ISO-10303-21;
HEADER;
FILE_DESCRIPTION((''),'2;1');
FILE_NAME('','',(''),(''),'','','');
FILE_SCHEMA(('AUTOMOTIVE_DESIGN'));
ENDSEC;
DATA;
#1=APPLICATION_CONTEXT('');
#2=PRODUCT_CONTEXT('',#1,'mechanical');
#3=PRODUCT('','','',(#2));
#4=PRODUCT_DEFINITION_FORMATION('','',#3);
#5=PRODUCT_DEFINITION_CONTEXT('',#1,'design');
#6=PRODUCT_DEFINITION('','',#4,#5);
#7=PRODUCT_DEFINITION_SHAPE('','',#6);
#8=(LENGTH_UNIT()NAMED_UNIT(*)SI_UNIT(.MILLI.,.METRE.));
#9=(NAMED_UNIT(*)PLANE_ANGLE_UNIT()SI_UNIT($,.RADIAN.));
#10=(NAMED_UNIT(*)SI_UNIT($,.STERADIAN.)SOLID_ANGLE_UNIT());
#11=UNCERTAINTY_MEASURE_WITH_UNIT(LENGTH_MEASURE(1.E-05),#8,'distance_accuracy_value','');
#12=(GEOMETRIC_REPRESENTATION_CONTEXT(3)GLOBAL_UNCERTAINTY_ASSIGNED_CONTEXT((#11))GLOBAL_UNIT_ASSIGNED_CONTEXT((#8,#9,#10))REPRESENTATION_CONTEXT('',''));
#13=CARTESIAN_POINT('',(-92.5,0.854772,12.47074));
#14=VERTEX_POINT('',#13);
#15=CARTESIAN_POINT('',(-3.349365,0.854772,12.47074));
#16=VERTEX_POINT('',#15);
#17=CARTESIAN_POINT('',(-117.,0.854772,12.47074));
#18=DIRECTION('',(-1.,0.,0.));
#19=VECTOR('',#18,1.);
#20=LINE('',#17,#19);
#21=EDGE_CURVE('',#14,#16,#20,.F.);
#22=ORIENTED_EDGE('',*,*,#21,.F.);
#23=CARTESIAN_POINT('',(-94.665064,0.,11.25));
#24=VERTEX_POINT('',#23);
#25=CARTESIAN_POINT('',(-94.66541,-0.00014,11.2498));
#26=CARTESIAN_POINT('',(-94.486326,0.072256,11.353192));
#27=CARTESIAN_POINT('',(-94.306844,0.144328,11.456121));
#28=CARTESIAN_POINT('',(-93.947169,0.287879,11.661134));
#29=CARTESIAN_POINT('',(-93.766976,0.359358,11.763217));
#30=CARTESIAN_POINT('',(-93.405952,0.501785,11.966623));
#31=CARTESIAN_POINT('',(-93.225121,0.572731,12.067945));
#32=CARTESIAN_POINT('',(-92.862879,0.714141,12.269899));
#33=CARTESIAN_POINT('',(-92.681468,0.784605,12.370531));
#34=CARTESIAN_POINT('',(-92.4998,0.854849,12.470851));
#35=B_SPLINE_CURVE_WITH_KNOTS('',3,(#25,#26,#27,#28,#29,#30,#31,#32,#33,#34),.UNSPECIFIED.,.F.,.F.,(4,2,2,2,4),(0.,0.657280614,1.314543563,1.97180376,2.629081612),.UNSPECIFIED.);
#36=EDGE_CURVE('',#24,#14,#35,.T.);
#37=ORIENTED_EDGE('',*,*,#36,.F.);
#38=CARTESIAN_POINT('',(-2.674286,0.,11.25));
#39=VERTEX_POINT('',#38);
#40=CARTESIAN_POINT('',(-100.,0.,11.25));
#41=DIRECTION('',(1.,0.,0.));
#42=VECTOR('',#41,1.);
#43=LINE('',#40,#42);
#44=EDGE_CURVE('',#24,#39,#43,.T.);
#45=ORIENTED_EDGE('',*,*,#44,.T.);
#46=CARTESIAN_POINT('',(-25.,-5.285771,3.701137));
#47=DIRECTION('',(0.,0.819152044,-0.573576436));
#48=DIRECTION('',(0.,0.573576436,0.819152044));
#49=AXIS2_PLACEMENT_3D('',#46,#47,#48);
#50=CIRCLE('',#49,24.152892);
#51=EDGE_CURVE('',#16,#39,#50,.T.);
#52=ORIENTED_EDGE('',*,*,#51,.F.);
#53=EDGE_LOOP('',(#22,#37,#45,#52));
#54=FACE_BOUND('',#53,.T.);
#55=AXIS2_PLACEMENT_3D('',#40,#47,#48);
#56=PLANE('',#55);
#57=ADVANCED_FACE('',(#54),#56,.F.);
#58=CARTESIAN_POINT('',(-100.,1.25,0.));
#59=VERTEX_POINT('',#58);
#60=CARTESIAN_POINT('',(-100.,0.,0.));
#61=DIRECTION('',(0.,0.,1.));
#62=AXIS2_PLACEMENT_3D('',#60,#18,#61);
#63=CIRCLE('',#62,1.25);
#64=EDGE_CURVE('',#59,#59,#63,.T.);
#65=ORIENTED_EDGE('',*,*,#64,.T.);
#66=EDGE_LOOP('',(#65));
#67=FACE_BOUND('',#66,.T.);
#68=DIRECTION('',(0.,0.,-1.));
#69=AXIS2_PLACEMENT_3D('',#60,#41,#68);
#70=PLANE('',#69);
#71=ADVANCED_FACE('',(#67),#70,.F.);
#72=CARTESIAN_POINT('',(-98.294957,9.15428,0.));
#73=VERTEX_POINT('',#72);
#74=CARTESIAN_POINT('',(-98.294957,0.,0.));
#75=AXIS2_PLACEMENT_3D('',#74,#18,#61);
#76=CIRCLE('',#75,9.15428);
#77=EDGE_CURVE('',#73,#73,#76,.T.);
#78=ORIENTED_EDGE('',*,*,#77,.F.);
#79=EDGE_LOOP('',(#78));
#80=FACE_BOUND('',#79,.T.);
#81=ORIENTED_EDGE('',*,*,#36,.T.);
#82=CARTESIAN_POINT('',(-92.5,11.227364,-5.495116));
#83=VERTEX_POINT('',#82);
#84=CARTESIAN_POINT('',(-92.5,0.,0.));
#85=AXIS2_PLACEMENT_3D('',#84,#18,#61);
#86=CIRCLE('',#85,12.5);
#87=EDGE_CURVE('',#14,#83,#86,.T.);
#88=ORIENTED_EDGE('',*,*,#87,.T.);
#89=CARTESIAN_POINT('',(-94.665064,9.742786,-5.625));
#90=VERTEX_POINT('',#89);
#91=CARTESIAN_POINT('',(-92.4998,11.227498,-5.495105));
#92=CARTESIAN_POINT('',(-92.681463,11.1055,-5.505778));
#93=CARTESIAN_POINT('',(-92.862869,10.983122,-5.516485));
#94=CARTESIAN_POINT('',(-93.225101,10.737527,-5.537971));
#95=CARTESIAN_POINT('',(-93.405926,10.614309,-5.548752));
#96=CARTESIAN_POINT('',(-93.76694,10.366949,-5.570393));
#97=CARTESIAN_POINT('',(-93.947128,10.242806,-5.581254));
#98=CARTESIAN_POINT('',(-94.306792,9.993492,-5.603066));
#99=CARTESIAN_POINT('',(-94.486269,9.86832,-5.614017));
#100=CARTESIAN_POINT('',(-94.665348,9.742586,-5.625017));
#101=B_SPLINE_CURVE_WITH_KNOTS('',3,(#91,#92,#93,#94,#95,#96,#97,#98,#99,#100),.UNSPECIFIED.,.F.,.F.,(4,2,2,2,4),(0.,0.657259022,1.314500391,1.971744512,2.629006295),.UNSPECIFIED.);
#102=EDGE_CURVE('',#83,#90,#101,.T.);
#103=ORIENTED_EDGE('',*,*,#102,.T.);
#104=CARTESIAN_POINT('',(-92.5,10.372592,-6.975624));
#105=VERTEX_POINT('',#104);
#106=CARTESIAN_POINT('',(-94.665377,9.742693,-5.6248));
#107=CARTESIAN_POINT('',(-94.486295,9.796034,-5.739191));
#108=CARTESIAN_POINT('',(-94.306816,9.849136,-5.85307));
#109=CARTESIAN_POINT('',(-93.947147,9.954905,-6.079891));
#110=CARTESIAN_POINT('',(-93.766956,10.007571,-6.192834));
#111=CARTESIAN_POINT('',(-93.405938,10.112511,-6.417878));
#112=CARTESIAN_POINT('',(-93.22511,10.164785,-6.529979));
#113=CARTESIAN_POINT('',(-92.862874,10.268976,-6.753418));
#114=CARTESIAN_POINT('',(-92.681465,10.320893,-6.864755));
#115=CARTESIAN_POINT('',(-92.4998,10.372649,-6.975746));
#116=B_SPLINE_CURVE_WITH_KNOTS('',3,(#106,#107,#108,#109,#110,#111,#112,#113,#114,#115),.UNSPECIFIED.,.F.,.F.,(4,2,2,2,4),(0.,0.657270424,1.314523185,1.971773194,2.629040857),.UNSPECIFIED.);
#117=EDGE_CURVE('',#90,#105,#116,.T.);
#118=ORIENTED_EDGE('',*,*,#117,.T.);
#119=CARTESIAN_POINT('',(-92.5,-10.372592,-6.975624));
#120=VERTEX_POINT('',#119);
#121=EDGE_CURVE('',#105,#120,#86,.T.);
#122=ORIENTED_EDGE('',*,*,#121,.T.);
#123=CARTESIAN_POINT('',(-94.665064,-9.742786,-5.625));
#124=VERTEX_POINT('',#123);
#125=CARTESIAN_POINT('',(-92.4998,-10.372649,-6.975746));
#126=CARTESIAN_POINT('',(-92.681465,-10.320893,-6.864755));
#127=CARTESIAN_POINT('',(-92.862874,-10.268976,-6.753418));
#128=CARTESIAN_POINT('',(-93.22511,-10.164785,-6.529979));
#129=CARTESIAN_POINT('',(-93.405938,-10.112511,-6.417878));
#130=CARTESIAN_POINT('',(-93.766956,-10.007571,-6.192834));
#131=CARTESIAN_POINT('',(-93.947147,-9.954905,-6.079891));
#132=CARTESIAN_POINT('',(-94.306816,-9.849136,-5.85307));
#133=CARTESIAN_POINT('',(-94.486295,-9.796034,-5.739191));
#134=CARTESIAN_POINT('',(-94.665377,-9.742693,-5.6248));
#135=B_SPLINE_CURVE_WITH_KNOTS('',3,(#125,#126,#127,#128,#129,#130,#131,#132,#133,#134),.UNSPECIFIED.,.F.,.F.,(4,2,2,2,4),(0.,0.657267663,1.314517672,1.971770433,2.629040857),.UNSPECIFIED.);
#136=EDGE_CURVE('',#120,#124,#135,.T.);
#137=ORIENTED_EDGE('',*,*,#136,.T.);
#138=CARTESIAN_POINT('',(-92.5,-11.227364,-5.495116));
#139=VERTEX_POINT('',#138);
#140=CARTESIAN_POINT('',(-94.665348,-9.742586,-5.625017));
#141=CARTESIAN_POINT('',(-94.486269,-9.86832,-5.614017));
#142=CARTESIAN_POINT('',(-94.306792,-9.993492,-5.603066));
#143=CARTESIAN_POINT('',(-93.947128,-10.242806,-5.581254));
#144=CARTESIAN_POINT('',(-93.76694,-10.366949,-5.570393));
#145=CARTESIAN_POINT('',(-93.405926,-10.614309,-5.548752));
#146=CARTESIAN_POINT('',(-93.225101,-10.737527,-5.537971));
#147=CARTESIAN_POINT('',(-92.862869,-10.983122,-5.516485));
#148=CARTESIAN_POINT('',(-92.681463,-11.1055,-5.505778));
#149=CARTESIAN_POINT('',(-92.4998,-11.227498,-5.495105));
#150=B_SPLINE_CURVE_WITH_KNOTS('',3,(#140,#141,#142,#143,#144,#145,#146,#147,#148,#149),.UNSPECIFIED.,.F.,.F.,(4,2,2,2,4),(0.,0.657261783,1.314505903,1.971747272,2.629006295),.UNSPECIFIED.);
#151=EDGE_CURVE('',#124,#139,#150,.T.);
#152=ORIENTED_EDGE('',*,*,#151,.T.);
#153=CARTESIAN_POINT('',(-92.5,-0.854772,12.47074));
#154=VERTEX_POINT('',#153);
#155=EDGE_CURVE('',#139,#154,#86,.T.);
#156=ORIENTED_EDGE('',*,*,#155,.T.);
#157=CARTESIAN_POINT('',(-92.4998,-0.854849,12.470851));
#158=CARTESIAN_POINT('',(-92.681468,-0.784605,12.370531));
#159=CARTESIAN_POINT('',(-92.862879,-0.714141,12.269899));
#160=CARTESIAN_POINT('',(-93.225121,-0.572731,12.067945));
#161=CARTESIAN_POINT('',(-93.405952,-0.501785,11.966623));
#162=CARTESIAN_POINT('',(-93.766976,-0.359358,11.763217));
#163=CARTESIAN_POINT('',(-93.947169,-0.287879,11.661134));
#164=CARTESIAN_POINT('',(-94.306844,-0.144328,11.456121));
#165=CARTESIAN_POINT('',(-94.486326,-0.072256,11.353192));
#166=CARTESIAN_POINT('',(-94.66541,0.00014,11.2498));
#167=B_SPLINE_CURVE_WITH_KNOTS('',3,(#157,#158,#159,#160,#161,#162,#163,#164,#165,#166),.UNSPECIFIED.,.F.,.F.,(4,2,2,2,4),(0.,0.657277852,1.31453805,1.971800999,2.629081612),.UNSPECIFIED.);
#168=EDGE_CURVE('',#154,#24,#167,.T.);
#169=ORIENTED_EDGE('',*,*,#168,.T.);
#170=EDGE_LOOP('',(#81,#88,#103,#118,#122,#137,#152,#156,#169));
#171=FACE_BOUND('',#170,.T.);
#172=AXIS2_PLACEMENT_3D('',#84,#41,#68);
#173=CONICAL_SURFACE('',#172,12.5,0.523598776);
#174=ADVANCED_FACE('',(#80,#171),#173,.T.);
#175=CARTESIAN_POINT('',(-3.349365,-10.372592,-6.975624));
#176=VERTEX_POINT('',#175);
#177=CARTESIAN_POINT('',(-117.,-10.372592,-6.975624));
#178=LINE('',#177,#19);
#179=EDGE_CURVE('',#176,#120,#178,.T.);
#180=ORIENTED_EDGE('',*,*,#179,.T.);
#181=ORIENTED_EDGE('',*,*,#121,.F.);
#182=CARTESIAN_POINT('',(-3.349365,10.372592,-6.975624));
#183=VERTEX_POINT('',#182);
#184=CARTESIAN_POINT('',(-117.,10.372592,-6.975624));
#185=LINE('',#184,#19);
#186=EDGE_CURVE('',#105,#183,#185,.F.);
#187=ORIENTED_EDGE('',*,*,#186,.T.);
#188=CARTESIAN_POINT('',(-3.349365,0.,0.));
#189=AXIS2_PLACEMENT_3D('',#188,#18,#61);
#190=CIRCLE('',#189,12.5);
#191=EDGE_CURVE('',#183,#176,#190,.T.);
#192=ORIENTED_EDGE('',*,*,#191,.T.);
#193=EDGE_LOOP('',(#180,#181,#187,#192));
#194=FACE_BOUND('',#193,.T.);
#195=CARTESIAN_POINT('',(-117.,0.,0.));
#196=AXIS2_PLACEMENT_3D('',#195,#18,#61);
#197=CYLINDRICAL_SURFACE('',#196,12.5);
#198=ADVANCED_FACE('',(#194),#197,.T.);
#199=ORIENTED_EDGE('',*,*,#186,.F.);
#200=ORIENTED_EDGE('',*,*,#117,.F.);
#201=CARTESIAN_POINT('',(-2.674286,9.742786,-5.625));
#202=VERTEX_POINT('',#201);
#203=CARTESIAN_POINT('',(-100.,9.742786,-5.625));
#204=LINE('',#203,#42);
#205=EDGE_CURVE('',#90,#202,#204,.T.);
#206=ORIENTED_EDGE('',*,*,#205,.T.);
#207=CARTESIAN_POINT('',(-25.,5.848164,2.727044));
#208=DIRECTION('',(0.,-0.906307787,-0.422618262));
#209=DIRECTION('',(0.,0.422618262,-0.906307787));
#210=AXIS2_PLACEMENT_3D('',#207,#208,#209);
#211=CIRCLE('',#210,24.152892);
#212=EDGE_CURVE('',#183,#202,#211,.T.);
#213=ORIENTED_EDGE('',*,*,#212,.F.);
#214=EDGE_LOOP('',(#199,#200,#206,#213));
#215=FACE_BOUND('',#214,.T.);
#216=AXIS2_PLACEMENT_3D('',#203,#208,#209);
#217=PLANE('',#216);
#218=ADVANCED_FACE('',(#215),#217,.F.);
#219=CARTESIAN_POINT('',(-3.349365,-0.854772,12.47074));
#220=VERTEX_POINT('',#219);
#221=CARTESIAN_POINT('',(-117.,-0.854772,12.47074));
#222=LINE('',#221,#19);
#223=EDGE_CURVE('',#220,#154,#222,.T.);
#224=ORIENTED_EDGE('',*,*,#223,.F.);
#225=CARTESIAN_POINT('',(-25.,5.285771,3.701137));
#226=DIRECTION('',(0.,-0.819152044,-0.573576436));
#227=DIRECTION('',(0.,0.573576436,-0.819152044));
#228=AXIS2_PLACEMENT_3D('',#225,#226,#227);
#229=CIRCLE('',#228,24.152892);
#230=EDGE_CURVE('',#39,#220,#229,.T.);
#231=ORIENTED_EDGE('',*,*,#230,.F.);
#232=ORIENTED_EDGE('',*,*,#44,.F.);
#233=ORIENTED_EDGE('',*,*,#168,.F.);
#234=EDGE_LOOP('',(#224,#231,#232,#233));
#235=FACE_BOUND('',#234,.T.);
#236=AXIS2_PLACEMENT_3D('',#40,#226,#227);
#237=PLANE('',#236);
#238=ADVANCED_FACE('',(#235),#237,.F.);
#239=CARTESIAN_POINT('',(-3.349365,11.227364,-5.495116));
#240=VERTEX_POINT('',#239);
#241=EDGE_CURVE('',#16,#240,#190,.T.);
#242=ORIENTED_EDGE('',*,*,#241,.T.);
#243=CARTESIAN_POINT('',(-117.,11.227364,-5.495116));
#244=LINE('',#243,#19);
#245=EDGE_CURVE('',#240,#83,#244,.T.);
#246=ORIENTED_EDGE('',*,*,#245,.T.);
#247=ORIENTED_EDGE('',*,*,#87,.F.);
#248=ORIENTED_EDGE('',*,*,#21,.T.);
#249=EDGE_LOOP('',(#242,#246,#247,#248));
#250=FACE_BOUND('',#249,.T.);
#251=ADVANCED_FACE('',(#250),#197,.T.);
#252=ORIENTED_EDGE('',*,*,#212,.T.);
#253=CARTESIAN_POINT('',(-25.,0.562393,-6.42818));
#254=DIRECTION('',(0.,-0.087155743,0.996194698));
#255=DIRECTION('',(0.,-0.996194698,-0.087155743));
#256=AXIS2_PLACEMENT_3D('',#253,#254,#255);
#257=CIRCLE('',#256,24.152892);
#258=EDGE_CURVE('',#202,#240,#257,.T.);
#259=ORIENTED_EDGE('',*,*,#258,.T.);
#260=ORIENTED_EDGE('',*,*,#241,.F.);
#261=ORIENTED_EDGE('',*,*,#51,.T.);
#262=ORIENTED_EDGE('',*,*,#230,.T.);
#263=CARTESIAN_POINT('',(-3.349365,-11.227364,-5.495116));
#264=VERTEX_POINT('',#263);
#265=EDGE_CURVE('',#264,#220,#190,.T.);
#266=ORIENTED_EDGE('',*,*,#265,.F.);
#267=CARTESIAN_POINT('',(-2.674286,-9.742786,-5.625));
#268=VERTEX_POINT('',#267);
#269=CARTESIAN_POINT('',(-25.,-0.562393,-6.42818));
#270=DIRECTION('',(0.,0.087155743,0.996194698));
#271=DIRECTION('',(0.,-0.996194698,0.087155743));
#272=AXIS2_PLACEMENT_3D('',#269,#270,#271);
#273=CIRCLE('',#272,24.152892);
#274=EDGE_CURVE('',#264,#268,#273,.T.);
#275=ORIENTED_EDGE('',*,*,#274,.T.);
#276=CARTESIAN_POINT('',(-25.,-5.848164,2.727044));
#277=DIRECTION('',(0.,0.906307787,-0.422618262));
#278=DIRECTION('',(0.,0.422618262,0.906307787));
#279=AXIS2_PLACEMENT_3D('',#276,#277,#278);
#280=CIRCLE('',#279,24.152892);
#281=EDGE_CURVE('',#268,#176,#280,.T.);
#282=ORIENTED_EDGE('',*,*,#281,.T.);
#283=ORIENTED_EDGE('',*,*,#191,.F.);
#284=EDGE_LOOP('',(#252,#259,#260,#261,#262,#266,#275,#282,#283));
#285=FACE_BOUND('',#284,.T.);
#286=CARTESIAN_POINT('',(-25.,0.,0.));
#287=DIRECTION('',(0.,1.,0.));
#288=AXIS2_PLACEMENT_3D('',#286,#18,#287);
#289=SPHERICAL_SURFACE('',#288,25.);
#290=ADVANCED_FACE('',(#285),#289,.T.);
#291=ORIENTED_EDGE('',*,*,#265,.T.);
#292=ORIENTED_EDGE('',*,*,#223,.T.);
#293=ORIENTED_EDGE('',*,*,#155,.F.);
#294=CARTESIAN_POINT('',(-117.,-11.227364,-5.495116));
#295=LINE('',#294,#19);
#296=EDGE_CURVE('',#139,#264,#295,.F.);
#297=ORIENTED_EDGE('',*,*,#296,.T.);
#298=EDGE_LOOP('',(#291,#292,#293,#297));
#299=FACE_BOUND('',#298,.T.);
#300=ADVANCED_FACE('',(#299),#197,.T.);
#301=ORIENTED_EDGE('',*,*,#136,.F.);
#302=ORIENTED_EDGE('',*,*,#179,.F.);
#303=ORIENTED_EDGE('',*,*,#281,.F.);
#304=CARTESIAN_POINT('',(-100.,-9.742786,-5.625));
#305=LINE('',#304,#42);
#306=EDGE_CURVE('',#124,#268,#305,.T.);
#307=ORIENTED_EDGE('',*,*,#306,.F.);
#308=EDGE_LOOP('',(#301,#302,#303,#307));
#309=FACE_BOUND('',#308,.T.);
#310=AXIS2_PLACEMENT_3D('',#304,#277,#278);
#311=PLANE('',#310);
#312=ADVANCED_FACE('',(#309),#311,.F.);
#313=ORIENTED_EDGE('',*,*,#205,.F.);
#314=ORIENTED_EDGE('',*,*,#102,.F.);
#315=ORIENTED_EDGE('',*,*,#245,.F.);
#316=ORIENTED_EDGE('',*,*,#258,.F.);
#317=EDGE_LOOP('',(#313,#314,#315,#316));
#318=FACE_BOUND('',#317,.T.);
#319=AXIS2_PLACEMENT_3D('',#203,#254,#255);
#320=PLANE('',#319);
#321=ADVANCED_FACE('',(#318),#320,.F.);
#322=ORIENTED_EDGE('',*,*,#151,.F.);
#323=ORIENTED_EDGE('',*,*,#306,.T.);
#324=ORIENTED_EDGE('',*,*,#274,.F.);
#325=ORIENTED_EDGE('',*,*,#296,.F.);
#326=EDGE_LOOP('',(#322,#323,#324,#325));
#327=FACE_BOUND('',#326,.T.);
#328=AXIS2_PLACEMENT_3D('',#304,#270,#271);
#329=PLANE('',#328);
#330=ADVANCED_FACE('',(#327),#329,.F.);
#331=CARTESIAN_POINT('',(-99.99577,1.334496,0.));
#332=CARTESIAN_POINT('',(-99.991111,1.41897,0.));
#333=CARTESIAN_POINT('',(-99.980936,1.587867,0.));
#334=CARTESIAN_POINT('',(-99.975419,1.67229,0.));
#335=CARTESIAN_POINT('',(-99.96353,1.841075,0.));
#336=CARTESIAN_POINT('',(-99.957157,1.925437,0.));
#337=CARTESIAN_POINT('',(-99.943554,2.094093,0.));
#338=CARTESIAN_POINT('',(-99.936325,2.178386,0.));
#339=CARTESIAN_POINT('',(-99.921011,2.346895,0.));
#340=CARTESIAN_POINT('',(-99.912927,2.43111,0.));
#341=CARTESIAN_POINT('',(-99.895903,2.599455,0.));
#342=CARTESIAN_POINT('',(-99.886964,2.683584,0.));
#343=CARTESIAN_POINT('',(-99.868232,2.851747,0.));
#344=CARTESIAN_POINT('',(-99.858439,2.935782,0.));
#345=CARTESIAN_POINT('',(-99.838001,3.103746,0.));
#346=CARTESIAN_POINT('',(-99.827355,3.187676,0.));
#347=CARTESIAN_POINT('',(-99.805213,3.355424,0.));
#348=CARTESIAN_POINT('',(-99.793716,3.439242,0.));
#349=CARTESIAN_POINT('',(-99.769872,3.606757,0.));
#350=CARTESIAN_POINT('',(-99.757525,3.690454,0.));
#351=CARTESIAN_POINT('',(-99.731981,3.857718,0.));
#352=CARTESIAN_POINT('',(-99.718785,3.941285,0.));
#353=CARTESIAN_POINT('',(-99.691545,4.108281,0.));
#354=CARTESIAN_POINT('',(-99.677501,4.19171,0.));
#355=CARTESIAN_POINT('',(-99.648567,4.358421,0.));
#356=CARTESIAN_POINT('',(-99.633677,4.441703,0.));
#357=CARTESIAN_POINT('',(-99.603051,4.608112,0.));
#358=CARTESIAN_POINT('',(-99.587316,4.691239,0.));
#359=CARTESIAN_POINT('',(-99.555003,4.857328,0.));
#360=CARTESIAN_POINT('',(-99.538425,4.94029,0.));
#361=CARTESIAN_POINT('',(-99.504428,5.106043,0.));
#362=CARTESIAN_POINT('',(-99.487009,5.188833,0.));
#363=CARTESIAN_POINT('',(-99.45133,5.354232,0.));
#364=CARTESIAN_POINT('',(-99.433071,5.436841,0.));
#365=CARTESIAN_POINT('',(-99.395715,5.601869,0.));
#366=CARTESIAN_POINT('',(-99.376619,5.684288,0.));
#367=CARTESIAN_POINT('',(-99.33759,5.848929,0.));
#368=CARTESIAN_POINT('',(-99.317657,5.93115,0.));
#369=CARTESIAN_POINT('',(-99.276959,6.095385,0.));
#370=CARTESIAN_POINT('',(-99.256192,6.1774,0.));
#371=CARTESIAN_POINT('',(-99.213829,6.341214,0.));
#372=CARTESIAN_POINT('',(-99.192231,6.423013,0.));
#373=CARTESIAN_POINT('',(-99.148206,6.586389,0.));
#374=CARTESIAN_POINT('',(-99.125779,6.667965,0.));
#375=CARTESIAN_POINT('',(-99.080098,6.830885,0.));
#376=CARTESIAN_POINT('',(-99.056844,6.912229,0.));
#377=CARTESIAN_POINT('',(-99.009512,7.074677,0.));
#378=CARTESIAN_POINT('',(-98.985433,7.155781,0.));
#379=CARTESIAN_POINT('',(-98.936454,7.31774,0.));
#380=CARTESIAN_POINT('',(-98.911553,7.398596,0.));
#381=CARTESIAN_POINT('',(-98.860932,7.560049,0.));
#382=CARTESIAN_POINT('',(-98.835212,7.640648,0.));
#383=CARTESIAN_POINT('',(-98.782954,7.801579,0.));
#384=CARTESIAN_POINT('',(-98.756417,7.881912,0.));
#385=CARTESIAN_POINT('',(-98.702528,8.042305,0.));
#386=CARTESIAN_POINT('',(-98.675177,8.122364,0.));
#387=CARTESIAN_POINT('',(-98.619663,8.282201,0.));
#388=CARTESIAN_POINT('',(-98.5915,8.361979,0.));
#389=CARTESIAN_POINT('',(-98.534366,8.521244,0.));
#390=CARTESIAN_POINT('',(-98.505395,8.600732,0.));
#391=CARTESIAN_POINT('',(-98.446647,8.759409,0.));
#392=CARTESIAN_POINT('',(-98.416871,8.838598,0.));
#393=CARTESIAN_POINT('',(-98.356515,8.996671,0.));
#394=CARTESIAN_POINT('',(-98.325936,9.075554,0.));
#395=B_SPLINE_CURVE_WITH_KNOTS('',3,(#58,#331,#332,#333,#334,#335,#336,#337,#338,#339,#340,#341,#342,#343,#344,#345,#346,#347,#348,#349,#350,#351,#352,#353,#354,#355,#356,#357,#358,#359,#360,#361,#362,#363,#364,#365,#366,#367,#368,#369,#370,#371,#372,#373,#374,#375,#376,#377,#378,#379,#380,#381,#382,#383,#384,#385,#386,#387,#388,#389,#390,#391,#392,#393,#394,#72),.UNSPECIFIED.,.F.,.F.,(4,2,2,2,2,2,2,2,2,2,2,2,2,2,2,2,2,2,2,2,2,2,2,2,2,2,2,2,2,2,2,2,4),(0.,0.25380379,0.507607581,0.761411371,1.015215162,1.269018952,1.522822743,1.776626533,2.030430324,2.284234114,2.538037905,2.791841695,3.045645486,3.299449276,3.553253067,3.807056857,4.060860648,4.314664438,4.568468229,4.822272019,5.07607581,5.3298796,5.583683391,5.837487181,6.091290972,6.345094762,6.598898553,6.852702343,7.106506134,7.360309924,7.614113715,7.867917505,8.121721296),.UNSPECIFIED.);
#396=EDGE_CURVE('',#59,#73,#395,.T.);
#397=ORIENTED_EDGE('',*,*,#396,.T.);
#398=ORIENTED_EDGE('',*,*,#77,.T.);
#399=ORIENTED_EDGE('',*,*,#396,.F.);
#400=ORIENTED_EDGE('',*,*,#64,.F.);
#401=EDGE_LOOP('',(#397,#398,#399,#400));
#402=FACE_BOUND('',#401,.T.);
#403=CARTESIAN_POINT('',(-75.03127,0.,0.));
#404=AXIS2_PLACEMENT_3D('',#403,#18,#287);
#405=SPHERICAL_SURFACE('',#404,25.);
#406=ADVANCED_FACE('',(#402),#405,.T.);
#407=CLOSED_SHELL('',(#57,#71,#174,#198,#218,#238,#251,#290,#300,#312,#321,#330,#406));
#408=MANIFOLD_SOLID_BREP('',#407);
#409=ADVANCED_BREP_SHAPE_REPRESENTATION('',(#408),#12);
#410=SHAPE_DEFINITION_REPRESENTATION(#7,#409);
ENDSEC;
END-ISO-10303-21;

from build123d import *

# Parameters (mm, degrees)
CUT_EXTRUDE1_DEPTH = 102.550480058
CIRPATTERN2_COUNT  = 3


with BuildPart() as part:
    # Sketch1 → Base-Revolve (revolve)
    with BuildSketch(Plane.XY):
        with BuildLine():
            Line((-92.5, 12.5), (-98.294957108, 9.154279954))
            ThreePointArc((-98.294957108, 9.154279954), (-99.46916936, 5.271532335), (-100, 1.25))
            Line((-100, 1.25), (-100, 0))
            Line((-100, 0), (0, 0))
            ThreePointArc((0, 0), (-0.851854343, 6.470476128), (-3.349364905, 12.5))
            Line((-3.349364905, 12.5), (-92.5, 12.5))
        make_face()
    revolve(axis=Axis((-117, 0, 0), (1, 0, 0)))

    # Sketch2 → Cut-Extrude1 (cut, through all)
    with BuildSketch(Plane(origin=(0, 0, 0), x_dir=(0, 0, -1), z_dir=(1, 0, 0))):
        Polygon((-11.25, 0), (-12.5, 0.875259423), (-12.5, -0.875259423), align=None)
    cut_extrude1 = extrude(amount=-CUT_EXTRUDE1_DEPTH, mode=Mode.SUBTRACT)

    # CirPattern2: Cut-Extrude1 ×3 about axis
    cirpattern2_axis = Axis((0, 0, 0), (1, 0, 0))
    for i in range(1, CIRPATTERN2_COUNT):
        add(cut_extrude1.rotate(cirpattern2_axis, i * 360 / CIRPATTERN2_COUNT), mode=Mode.SUBTRACT)


solid = part.part
